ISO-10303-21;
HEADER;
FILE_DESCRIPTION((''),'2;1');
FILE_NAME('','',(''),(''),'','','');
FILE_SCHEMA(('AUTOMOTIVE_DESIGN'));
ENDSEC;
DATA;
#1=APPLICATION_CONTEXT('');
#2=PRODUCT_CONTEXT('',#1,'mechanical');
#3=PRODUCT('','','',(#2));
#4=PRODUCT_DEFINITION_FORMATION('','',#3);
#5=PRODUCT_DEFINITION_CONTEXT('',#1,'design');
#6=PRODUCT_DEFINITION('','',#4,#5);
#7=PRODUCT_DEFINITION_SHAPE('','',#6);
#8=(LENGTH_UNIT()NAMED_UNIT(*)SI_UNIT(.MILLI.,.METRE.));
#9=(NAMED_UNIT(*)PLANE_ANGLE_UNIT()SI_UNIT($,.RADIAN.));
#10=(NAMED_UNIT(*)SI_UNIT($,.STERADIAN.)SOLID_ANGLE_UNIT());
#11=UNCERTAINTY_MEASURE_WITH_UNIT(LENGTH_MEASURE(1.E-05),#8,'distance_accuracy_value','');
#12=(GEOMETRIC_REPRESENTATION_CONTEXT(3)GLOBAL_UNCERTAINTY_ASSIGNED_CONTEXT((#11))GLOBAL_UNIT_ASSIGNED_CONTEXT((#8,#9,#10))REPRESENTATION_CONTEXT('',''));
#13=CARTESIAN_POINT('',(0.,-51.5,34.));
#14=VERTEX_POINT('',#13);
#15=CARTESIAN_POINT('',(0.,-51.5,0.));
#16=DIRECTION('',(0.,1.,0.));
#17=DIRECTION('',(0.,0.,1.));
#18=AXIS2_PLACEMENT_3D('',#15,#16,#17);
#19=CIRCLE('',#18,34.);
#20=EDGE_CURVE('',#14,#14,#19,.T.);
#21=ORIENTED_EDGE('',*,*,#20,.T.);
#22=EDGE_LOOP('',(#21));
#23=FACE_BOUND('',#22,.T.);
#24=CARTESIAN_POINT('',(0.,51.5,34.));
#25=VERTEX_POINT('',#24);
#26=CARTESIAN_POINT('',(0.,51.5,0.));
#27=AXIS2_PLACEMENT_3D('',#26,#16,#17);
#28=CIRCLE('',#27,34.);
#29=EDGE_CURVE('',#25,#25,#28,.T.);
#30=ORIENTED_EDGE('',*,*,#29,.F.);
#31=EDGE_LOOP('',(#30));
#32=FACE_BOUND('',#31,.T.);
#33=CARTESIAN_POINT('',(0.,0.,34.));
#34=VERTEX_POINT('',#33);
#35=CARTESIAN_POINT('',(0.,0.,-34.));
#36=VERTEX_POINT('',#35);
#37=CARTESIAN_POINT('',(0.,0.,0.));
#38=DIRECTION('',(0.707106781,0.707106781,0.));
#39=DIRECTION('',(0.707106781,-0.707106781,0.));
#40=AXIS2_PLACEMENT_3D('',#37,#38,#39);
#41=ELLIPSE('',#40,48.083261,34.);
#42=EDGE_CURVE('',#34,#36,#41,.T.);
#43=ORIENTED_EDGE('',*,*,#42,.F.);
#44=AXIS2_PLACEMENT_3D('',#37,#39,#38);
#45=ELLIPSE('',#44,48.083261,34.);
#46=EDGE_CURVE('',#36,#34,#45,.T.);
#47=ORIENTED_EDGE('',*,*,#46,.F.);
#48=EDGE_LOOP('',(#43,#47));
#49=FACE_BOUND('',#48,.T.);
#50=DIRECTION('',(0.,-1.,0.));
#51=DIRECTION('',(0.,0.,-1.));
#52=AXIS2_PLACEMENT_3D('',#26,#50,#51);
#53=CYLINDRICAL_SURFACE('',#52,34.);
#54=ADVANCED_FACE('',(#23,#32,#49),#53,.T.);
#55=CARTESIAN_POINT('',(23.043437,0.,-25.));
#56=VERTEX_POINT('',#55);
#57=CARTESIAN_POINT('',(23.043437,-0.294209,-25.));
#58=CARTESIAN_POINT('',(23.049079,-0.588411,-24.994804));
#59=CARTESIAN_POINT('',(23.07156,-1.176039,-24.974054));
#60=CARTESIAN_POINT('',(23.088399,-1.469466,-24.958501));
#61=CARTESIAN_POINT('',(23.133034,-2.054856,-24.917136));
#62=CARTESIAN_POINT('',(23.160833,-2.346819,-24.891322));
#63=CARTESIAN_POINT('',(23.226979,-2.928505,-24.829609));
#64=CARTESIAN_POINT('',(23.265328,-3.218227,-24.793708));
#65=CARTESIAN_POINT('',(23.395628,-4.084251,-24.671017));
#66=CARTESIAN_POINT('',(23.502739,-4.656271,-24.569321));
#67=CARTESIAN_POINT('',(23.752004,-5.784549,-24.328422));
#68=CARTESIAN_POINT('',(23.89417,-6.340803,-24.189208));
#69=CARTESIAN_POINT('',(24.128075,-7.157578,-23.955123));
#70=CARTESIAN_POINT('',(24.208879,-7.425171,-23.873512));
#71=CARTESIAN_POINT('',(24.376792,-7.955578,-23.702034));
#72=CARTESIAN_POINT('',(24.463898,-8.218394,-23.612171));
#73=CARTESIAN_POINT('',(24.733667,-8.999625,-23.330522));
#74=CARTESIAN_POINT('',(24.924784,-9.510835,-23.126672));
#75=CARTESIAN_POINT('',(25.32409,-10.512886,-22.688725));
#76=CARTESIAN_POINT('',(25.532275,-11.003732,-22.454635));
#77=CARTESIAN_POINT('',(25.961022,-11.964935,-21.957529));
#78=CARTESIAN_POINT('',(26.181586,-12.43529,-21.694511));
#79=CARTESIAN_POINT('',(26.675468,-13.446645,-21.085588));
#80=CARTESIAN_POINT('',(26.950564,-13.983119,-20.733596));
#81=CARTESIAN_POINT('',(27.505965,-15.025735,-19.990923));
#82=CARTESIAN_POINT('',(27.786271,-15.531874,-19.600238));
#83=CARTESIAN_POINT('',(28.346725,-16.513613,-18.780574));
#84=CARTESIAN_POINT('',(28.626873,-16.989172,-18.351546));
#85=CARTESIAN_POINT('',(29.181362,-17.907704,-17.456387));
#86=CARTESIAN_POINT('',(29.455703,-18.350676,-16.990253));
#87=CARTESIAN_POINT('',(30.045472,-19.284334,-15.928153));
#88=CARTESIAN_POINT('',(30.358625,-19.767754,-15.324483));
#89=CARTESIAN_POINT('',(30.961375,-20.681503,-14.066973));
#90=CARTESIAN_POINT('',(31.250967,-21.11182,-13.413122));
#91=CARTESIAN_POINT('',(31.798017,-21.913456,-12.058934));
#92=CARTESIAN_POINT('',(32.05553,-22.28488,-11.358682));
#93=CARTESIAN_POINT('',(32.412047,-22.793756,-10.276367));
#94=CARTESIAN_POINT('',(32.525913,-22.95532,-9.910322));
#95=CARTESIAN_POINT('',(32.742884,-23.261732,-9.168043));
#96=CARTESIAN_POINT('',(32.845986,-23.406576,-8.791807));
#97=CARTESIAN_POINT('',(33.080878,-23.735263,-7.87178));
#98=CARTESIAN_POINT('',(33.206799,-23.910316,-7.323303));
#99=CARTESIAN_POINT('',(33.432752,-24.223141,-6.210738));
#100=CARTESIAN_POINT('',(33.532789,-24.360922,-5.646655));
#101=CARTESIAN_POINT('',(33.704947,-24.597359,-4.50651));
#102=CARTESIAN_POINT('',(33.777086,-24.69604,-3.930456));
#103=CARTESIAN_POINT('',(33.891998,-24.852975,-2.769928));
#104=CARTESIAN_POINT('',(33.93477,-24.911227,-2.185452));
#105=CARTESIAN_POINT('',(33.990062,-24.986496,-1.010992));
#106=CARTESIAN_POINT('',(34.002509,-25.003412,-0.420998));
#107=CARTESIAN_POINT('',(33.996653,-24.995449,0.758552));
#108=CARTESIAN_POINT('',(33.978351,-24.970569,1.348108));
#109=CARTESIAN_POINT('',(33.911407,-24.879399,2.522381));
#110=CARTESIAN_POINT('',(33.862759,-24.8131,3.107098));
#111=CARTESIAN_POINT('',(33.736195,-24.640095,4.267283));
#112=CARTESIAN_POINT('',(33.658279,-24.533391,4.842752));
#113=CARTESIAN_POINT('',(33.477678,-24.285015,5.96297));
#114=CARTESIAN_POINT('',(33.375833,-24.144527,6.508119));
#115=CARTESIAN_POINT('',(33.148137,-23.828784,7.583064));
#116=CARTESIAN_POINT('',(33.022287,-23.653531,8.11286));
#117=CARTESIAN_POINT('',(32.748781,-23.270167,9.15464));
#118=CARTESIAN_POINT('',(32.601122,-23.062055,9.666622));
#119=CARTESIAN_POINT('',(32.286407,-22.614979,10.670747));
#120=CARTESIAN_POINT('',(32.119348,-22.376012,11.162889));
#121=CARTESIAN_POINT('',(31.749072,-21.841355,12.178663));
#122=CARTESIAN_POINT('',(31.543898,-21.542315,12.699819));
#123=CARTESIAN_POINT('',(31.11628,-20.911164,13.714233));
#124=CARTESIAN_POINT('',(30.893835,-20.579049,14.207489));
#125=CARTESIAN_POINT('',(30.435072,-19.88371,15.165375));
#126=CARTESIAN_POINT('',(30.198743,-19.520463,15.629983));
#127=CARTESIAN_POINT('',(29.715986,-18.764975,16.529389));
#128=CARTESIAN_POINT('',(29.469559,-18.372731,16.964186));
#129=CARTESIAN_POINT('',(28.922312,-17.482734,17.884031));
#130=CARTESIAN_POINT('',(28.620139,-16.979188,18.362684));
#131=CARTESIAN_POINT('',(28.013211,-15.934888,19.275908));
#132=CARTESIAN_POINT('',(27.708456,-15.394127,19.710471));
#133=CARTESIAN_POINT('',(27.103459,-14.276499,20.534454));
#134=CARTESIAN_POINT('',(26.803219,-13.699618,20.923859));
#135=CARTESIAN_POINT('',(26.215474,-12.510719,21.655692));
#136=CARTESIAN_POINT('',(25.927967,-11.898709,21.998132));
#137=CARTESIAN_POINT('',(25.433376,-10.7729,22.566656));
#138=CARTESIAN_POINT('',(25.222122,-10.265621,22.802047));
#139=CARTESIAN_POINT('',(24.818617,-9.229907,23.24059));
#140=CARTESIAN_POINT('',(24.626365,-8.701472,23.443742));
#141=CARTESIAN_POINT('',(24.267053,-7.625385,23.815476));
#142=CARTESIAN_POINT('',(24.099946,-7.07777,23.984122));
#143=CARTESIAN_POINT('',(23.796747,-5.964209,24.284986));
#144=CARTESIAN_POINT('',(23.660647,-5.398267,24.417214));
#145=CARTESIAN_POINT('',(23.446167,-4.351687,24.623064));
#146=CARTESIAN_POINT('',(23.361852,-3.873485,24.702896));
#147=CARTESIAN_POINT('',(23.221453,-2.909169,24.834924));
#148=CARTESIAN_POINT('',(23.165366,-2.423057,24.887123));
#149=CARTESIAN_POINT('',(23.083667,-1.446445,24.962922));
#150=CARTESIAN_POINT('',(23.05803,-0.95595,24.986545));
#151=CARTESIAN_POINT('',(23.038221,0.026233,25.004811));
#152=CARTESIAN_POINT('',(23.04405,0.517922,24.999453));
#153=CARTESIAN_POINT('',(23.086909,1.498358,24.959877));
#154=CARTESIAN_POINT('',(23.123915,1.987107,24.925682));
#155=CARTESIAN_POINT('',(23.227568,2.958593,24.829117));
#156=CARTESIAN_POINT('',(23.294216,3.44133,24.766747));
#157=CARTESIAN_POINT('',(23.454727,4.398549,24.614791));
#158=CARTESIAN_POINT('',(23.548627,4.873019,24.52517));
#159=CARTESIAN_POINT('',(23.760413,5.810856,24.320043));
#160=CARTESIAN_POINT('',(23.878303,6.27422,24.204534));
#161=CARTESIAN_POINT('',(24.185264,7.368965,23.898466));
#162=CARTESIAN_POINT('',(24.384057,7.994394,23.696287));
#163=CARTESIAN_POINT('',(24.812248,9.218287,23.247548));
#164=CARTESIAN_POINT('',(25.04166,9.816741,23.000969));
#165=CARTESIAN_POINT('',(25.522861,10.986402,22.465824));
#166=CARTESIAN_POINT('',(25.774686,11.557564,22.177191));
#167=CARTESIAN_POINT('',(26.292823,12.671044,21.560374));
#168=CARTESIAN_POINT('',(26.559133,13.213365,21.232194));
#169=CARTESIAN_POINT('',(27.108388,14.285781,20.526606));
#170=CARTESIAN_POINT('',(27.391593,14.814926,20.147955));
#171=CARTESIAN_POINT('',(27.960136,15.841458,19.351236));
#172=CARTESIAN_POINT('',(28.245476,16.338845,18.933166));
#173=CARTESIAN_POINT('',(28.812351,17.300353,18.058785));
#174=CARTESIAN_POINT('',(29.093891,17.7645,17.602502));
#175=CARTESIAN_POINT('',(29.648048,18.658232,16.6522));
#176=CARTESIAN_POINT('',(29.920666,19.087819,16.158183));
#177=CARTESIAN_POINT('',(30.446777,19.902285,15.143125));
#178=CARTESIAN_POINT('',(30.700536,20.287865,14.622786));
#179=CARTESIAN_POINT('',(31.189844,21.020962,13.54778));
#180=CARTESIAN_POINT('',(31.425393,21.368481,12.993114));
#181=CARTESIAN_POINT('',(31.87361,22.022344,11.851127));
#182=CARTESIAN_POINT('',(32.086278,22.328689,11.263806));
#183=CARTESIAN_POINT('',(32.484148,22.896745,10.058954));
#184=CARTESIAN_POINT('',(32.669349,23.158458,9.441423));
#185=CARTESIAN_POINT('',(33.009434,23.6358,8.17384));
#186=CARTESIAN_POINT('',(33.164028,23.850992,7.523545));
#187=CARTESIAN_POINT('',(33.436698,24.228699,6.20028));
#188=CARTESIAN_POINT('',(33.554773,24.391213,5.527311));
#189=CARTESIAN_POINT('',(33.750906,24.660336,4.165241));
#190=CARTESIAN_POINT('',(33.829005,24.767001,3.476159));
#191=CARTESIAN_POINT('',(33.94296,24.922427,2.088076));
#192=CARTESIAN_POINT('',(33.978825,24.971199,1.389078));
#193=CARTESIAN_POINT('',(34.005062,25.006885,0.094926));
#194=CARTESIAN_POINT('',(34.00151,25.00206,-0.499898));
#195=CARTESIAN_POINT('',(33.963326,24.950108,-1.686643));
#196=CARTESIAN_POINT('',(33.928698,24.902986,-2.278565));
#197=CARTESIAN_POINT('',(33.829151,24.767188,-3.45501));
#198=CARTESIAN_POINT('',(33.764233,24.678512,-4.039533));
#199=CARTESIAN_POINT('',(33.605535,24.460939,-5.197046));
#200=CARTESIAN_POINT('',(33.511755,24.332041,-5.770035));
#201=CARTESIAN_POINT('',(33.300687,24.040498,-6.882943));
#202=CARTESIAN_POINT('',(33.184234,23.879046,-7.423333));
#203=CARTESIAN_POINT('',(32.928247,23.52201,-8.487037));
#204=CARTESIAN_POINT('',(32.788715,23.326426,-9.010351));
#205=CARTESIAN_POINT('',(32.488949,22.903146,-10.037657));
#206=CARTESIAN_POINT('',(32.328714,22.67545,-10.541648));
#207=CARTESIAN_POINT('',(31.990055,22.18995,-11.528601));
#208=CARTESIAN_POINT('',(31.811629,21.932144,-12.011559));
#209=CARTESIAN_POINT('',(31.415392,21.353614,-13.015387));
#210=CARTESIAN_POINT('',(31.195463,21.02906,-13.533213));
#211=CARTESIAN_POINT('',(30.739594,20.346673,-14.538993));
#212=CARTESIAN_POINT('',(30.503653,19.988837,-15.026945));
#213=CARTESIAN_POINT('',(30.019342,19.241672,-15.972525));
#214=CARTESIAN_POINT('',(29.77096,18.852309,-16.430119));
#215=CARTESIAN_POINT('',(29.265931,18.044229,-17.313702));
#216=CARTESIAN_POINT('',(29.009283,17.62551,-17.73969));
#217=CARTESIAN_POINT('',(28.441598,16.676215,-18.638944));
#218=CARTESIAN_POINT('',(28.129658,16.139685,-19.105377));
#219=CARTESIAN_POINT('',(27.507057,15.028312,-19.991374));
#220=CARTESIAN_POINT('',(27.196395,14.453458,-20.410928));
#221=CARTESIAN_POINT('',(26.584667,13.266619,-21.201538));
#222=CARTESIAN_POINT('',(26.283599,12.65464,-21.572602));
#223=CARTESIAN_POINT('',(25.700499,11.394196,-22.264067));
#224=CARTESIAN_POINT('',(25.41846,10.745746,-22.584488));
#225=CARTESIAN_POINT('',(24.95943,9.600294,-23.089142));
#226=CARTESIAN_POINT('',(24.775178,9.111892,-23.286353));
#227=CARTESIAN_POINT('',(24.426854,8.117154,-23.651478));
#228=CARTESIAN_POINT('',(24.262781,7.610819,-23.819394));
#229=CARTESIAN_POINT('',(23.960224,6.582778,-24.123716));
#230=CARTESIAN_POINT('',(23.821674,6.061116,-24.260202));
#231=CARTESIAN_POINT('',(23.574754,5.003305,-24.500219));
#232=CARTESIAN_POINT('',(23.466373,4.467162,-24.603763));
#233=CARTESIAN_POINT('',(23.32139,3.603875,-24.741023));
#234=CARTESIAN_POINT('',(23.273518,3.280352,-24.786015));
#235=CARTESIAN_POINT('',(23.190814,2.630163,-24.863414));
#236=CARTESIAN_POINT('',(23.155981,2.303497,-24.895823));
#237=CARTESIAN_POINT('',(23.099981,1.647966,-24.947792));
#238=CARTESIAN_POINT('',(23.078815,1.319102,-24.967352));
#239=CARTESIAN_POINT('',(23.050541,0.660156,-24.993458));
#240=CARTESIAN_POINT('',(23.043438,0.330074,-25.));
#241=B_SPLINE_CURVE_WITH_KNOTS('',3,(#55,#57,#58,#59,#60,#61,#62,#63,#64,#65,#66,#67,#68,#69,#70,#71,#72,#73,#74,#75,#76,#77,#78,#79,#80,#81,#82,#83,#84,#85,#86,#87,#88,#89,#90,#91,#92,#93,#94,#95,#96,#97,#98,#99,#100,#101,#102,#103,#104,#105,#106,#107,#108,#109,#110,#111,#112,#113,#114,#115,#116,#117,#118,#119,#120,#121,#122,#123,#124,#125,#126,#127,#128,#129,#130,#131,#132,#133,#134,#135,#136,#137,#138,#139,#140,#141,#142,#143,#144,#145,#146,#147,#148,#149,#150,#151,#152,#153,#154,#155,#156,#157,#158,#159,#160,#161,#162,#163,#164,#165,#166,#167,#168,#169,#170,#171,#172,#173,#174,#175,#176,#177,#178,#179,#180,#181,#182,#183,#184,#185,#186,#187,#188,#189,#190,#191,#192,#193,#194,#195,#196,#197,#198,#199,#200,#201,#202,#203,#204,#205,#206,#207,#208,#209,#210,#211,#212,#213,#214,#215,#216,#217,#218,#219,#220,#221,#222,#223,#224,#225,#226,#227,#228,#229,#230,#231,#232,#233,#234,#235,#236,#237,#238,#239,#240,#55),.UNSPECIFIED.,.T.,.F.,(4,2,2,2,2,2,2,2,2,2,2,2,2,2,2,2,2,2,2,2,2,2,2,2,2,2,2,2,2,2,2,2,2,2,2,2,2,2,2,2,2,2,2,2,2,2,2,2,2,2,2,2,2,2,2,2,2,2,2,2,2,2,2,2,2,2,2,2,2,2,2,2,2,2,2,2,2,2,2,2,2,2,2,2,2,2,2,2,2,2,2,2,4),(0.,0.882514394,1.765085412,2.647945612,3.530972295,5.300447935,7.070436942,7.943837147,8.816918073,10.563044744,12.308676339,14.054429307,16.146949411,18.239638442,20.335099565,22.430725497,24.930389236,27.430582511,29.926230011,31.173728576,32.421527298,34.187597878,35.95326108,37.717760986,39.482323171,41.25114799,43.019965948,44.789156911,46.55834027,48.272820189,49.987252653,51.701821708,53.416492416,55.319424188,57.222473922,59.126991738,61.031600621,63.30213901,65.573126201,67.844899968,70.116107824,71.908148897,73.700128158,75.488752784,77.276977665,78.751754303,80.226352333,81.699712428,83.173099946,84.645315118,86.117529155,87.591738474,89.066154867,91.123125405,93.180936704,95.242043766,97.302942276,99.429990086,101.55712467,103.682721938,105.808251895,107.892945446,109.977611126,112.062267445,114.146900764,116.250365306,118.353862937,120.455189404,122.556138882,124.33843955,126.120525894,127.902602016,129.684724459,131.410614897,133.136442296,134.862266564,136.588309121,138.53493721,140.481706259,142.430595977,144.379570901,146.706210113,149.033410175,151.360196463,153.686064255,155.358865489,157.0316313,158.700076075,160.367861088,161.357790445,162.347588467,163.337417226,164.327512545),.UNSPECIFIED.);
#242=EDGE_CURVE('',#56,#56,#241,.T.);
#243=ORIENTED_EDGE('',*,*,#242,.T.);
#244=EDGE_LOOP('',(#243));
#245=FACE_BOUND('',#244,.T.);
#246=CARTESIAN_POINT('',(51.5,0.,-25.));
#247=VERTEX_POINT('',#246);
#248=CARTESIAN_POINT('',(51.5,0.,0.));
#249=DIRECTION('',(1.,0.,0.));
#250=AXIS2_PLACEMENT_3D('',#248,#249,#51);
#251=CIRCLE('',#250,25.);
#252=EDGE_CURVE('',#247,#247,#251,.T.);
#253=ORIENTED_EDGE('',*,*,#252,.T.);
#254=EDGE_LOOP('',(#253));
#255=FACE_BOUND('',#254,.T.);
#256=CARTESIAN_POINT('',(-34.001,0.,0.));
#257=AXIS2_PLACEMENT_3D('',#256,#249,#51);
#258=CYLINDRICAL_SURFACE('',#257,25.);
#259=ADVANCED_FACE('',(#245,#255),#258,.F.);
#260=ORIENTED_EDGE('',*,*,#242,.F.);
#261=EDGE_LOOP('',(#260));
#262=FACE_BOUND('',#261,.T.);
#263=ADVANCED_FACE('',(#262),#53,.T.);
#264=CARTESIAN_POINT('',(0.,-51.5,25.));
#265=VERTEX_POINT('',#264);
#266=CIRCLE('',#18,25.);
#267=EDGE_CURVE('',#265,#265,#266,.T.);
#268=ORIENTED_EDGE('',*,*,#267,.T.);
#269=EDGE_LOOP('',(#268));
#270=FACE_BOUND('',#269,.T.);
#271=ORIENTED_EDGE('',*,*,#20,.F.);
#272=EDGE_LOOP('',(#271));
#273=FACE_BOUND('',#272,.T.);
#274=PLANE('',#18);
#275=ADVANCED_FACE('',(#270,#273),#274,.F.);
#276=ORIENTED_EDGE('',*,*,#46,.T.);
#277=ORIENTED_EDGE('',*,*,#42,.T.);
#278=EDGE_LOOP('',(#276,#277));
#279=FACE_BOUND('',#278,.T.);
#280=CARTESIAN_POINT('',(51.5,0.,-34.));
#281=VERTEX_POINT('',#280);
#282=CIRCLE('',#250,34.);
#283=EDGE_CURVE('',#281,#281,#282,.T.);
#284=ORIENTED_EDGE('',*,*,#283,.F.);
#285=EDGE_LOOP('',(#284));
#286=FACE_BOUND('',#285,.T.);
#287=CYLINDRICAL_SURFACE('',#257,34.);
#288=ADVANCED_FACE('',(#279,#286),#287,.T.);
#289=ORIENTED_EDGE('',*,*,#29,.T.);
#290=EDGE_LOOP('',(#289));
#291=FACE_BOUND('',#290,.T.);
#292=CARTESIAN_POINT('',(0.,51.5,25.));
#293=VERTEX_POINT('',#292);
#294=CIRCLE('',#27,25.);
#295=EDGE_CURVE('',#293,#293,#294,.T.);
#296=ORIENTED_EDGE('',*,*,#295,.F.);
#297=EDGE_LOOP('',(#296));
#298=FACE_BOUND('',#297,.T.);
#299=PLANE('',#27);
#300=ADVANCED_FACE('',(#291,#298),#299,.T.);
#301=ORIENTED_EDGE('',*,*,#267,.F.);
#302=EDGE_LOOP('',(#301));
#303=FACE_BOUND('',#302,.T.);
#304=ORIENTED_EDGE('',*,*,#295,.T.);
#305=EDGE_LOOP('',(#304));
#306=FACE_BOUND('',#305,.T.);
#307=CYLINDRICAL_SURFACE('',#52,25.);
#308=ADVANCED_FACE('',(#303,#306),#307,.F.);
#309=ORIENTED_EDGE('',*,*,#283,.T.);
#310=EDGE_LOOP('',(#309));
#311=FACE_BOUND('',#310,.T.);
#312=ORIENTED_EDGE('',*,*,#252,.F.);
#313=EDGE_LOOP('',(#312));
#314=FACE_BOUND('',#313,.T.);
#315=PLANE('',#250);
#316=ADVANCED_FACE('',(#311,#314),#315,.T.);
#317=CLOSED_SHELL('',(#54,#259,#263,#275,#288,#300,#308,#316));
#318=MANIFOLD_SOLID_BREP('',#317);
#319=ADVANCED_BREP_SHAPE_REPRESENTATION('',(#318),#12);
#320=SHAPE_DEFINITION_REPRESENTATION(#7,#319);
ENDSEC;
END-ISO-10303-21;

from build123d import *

# Parameters (mm, degrees)
SKETCH1_R           = 34
SKETCH1_R_2         = 25
BOSS_EXTRUDE1_DEPTH = 51.5
BOSS_EXTRUDE2_REACH = 87.5
SKETCH2_R           = 34
SKETCH2_R_2         = 25


with BuildPart() as part:
    # Sketch1 → Boss-Extrude1 (new body, symmetric)
    with BuildSketch(Plane(origin=(0, 0, 0), x_dir=(1, 0, 0), z_dir=(0, 1, 0))):
        Circle(SKETCH1_R)
        Circle(SKETCH1_R_2, mode=Mode.SUBTRACT)
    extrude(amount=BOSS_EXTRUDE1_DEPTH, both=True)

    # Sketch2 → Boss-Extrude2 (add, up to next)
    with BuildSketch(Plane(origin=(51.5, 0, 0), x_dir=(0, 0, -1), z_dir=(1, 0, 0)), mode=Mode.PRIVATE) as boss_extrude2_sk1:
        Circle(SKETCH2_R)
        Circle(SKETCH2_R_2, mode=Mode.SUBTRACT)
    boss_extrude2_tool1 = extrude(boss_extrude2_sk1.sketch, amount=-BOSS_EXTRUDE2_REACH, mode=Mode.PRIVATE) - part.part
    add(boss_extrude2_tool1.solids().sort_by_distance((51.5, 0, 33.038335))[0])


solid = part.part
